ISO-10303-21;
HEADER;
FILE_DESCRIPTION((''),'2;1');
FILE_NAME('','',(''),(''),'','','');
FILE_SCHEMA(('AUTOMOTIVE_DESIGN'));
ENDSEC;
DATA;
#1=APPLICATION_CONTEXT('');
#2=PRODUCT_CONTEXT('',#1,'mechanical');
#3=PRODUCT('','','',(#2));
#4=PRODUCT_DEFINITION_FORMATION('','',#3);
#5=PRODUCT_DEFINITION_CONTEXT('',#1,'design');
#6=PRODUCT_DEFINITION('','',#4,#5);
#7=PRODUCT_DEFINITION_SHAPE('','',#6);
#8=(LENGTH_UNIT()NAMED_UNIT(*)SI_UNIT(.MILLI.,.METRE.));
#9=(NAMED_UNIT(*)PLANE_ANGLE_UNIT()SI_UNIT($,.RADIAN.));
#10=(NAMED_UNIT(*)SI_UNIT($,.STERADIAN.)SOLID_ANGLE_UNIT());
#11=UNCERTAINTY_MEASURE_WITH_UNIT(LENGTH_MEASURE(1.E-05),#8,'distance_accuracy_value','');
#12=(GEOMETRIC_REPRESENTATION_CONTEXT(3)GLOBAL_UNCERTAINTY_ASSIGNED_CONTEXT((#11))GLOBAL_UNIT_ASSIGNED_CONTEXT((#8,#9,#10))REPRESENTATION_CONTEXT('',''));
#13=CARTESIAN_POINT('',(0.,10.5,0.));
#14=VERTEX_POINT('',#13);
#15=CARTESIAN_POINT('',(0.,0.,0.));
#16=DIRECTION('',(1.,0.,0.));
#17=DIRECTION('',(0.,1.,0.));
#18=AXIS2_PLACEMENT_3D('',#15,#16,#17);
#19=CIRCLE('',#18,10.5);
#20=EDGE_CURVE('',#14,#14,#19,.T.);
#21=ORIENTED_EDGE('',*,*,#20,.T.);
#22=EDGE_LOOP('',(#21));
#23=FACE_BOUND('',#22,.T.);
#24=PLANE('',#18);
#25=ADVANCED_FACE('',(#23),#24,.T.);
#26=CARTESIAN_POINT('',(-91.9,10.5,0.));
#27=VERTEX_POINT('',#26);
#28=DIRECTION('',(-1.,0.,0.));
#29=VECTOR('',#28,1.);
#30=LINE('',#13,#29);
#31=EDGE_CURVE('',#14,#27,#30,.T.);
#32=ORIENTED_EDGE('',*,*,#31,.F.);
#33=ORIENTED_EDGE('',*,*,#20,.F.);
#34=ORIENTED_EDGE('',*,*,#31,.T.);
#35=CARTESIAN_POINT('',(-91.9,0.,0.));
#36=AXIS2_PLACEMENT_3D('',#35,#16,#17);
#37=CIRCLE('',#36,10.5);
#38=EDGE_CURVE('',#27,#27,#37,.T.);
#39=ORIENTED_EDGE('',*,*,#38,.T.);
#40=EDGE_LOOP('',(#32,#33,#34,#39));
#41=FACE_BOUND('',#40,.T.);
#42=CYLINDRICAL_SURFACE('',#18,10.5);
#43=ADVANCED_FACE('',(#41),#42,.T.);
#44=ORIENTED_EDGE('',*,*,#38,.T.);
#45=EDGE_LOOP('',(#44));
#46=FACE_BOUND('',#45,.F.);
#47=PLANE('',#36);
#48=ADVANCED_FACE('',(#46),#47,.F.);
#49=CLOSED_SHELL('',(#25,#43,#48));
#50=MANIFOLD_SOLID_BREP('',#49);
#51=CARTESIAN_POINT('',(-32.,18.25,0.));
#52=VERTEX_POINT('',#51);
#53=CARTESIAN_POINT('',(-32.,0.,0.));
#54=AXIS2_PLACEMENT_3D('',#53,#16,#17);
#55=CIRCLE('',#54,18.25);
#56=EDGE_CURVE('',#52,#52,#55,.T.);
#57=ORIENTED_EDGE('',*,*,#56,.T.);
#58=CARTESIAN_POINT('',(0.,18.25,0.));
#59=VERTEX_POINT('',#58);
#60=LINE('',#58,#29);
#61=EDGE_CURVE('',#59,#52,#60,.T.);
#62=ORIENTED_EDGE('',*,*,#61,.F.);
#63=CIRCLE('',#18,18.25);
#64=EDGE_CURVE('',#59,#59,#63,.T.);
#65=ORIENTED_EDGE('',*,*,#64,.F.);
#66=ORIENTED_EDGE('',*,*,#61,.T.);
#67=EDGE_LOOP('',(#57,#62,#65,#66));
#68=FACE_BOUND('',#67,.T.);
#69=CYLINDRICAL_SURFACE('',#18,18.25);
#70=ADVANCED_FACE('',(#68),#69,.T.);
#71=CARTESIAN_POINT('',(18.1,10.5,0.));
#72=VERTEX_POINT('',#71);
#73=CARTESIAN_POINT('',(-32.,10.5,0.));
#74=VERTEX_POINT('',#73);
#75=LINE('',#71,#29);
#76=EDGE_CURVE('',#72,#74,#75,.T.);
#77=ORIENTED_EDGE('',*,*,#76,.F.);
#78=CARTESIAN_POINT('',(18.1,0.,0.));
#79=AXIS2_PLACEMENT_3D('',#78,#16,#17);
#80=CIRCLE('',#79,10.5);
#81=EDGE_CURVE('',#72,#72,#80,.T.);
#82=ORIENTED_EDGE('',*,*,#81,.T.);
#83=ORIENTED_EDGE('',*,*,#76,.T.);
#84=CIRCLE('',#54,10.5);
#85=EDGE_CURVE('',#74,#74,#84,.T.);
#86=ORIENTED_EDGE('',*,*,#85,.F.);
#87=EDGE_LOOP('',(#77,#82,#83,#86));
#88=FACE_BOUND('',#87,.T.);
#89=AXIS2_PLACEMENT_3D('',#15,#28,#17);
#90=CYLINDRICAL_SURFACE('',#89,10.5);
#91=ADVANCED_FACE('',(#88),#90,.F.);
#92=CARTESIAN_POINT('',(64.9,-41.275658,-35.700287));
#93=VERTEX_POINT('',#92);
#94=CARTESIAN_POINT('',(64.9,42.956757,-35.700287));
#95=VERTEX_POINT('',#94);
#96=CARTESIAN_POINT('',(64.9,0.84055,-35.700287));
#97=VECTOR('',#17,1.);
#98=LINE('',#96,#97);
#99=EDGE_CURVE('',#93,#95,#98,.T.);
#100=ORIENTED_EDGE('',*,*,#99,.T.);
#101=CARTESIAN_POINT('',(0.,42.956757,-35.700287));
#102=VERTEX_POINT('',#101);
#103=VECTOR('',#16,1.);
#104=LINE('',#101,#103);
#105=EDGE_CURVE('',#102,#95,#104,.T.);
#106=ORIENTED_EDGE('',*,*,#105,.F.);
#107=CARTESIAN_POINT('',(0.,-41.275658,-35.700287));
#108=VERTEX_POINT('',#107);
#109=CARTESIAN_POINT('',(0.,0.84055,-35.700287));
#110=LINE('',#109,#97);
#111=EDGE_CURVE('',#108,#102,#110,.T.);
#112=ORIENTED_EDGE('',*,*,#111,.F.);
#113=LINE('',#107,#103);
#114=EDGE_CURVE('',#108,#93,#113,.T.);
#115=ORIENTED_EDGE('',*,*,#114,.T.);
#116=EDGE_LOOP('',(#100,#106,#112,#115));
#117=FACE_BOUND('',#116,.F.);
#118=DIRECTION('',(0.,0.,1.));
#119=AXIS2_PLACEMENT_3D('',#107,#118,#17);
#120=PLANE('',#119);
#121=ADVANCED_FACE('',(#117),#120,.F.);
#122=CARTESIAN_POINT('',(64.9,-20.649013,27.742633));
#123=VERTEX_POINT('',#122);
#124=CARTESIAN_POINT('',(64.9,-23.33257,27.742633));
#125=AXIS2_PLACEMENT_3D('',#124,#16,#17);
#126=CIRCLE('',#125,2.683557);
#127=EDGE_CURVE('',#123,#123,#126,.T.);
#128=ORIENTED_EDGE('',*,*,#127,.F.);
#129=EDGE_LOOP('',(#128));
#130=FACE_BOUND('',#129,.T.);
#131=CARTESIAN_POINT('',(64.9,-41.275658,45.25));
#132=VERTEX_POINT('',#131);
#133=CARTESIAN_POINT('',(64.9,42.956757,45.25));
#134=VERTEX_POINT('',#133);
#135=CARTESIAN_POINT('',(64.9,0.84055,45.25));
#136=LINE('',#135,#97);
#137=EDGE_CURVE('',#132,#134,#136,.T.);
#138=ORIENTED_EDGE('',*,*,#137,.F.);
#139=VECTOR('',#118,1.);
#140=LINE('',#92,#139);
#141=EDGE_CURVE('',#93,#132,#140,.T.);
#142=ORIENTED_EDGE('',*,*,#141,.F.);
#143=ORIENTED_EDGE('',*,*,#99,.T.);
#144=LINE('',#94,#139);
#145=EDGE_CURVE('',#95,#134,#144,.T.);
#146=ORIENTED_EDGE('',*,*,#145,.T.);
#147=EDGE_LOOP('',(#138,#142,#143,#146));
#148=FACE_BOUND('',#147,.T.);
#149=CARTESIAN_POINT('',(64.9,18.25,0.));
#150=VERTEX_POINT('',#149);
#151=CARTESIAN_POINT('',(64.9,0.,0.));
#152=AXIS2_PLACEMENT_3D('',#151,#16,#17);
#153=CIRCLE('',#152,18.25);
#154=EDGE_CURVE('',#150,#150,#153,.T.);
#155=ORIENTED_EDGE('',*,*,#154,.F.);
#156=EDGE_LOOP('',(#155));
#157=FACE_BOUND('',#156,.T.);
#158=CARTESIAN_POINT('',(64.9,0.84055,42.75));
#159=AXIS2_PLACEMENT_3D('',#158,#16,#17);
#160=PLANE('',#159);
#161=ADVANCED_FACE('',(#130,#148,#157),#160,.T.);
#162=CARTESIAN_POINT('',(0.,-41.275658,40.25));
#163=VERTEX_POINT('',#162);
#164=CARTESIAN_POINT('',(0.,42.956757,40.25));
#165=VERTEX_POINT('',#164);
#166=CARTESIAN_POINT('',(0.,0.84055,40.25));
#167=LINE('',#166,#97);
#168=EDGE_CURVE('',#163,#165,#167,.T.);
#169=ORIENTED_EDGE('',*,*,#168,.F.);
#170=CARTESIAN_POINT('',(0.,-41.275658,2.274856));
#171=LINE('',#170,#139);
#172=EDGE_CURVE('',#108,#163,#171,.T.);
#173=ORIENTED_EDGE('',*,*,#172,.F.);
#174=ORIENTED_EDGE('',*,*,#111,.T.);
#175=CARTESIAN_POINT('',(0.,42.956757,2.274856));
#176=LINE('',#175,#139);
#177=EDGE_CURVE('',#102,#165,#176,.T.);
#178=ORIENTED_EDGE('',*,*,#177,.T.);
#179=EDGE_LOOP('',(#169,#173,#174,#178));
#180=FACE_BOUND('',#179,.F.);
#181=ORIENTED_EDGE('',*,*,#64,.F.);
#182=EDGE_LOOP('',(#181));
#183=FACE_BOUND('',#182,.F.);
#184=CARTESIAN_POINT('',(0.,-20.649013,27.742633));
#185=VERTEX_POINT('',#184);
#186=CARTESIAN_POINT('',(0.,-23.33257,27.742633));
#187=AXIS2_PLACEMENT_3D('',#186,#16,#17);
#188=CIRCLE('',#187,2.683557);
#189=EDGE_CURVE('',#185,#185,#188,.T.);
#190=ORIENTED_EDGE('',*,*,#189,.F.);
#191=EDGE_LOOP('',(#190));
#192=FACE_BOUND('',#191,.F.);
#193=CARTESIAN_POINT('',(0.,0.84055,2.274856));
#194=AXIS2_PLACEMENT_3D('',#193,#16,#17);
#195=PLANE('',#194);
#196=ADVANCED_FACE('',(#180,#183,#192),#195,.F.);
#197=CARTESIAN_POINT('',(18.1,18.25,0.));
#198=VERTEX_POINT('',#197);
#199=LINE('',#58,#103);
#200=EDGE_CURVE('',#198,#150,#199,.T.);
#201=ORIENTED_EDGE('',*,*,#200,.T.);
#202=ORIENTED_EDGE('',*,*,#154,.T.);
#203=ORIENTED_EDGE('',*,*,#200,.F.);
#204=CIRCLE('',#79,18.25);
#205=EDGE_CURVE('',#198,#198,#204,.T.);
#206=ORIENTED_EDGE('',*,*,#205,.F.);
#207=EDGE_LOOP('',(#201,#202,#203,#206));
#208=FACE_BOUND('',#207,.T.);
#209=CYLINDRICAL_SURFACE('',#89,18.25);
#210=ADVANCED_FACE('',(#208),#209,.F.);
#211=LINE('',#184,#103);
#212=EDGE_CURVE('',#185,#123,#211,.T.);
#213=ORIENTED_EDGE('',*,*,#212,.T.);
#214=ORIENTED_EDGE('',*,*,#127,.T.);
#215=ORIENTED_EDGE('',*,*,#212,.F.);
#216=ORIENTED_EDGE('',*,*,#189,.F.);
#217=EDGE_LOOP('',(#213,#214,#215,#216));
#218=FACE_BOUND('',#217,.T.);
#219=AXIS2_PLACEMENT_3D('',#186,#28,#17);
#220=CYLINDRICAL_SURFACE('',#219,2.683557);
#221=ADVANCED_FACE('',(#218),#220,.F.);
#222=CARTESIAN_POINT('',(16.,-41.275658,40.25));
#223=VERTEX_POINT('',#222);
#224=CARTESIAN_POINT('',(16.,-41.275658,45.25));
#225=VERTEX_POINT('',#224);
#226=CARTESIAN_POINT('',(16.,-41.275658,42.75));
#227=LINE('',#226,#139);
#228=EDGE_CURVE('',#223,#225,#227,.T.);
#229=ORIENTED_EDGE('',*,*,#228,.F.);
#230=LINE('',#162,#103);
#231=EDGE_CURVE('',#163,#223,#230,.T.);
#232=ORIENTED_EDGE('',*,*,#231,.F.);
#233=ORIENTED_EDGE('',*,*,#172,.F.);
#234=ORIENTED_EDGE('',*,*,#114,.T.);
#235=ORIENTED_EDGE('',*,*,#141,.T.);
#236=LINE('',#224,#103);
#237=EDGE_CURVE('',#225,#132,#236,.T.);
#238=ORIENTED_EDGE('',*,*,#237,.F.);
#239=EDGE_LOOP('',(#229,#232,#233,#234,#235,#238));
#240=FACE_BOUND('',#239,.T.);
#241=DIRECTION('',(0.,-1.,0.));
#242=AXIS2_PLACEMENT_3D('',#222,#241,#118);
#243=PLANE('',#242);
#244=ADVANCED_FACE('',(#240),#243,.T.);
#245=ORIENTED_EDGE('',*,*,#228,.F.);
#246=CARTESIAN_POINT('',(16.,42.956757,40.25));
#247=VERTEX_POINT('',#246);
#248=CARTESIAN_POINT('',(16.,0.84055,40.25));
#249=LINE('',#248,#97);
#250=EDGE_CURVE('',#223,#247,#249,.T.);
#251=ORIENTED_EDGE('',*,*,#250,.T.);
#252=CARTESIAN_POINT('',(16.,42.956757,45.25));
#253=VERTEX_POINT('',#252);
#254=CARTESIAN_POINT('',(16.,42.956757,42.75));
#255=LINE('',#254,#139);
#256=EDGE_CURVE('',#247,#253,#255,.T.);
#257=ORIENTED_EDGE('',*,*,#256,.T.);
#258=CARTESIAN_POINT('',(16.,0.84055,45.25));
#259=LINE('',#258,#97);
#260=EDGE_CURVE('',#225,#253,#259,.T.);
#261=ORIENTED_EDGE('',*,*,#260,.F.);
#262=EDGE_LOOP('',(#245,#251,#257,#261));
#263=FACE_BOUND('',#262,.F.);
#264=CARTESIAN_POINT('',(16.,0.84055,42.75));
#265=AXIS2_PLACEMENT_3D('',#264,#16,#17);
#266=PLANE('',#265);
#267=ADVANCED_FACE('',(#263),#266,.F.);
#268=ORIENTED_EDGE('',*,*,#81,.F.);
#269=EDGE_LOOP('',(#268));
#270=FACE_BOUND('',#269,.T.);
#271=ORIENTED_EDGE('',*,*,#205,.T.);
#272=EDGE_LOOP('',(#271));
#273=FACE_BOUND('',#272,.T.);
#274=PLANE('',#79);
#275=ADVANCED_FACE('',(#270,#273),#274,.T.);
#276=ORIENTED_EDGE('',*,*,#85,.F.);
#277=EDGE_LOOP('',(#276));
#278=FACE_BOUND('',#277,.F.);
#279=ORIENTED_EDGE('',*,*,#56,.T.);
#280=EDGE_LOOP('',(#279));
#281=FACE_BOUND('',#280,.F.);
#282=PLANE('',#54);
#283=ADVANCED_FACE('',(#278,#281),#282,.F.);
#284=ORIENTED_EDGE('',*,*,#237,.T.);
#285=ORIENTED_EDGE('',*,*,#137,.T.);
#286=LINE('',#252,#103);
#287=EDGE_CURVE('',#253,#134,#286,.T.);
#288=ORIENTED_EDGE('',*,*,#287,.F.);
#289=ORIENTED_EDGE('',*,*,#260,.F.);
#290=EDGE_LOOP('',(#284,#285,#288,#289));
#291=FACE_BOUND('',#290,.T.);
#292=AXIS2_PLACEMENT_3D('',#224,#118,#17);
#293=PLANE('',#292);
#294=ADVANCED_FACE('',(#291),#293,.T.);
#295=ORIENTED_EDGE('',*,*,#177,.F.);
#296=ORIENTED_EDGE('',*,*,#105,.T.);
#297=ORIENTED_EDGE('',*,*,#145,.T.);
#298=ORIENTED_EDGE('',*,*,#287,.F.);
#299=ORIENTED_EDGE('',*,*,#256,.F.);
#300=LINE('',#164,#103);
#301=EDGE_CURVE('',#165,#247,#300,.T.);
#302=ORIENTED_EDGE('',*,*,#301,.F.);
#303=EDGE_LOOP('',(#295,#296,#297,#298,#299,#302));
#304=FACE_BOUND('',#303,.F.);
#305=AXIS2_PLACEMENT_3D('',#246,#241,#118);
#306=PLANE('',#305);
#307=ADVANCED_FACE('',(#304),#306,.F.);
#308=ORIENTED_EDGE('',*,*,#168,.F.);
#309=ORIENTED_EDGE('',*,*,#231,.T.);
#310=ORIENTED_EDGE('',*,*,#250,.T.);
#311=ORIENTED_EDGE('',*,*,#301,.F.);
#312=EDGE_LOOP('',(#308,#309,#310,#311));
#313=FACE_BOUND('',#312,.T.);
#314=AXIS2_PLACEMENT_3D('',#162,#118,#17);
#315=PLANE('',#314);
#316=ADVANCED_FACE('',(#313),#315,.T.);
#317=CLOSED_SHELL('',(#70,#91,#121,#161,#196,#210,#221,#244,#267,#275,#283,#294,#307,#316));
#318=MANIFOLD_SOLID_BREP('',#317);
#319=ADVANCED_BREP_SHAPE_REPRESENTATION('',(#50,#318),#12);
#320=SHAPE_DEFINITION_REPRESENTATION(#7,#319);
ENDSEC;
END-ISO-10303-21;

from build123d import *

# Parameters (mm, degrees)
F0_W          = 84.2324148785
F0_H          = 75.9502873162
F0_R          = 18.25
F0_R_2        = 2.6835567487
F1_DEPTH      = 64.9
F2_START      = 16
F0_H_2        = 5
F2_DEPTH      = 48.9
F0_R_3        = 10.5
F3_DEPTH      = 32
F3_DEPTH_BACK = 18.1
F4_DEPTH      = 91.9


with BuildPart() as f1:
    # F0 (on Right) → F1 (new body)
    with BuildSketch(Plane.YZ):
        with Locations((0.8405496071, 2.2748563419)):
            Rectangle(F0_W, F0_H)
        Circle(F0_R, mode=Mode.SUBTRACT)
        with Locations((-23.3325695414, 27.7426332311)):
            Circle(F0_R_2, mode=Mode.SUBTRACT)
    extrude(amount=F1_DEPTH)

    # F0 (on Right) → F2 (join)
    with BuildSketch(Plane.YZ.offset(F2_START)):
        with Locations((0.8405496071, 42.75)):
            Rectangle(F0_W, F0_H_2)
    extrude(amount=F2_DEPTH)

    # F0 (on Right) → F3 (join, two sides)
    with BuildSketch(Plane.YZ) as f3_sk:
        Circle(F0_R)
        Circle(F0_R_3, mode=Mode.SUBTRACT)
    extrude(amount=-F3_DEPTH)
    extrude(f3_sk.sketch, amount=F3_DEPTH_BACK)


with BuildPart() as f4:
    # F0 (on Right) → F4 (new body)
    with BuildSketch(Plane.YZ):
        Circle(F0_R_3)
    extrude(amount=-F4_DEPTH)


solid = Compound([f1.part, f4.part])
